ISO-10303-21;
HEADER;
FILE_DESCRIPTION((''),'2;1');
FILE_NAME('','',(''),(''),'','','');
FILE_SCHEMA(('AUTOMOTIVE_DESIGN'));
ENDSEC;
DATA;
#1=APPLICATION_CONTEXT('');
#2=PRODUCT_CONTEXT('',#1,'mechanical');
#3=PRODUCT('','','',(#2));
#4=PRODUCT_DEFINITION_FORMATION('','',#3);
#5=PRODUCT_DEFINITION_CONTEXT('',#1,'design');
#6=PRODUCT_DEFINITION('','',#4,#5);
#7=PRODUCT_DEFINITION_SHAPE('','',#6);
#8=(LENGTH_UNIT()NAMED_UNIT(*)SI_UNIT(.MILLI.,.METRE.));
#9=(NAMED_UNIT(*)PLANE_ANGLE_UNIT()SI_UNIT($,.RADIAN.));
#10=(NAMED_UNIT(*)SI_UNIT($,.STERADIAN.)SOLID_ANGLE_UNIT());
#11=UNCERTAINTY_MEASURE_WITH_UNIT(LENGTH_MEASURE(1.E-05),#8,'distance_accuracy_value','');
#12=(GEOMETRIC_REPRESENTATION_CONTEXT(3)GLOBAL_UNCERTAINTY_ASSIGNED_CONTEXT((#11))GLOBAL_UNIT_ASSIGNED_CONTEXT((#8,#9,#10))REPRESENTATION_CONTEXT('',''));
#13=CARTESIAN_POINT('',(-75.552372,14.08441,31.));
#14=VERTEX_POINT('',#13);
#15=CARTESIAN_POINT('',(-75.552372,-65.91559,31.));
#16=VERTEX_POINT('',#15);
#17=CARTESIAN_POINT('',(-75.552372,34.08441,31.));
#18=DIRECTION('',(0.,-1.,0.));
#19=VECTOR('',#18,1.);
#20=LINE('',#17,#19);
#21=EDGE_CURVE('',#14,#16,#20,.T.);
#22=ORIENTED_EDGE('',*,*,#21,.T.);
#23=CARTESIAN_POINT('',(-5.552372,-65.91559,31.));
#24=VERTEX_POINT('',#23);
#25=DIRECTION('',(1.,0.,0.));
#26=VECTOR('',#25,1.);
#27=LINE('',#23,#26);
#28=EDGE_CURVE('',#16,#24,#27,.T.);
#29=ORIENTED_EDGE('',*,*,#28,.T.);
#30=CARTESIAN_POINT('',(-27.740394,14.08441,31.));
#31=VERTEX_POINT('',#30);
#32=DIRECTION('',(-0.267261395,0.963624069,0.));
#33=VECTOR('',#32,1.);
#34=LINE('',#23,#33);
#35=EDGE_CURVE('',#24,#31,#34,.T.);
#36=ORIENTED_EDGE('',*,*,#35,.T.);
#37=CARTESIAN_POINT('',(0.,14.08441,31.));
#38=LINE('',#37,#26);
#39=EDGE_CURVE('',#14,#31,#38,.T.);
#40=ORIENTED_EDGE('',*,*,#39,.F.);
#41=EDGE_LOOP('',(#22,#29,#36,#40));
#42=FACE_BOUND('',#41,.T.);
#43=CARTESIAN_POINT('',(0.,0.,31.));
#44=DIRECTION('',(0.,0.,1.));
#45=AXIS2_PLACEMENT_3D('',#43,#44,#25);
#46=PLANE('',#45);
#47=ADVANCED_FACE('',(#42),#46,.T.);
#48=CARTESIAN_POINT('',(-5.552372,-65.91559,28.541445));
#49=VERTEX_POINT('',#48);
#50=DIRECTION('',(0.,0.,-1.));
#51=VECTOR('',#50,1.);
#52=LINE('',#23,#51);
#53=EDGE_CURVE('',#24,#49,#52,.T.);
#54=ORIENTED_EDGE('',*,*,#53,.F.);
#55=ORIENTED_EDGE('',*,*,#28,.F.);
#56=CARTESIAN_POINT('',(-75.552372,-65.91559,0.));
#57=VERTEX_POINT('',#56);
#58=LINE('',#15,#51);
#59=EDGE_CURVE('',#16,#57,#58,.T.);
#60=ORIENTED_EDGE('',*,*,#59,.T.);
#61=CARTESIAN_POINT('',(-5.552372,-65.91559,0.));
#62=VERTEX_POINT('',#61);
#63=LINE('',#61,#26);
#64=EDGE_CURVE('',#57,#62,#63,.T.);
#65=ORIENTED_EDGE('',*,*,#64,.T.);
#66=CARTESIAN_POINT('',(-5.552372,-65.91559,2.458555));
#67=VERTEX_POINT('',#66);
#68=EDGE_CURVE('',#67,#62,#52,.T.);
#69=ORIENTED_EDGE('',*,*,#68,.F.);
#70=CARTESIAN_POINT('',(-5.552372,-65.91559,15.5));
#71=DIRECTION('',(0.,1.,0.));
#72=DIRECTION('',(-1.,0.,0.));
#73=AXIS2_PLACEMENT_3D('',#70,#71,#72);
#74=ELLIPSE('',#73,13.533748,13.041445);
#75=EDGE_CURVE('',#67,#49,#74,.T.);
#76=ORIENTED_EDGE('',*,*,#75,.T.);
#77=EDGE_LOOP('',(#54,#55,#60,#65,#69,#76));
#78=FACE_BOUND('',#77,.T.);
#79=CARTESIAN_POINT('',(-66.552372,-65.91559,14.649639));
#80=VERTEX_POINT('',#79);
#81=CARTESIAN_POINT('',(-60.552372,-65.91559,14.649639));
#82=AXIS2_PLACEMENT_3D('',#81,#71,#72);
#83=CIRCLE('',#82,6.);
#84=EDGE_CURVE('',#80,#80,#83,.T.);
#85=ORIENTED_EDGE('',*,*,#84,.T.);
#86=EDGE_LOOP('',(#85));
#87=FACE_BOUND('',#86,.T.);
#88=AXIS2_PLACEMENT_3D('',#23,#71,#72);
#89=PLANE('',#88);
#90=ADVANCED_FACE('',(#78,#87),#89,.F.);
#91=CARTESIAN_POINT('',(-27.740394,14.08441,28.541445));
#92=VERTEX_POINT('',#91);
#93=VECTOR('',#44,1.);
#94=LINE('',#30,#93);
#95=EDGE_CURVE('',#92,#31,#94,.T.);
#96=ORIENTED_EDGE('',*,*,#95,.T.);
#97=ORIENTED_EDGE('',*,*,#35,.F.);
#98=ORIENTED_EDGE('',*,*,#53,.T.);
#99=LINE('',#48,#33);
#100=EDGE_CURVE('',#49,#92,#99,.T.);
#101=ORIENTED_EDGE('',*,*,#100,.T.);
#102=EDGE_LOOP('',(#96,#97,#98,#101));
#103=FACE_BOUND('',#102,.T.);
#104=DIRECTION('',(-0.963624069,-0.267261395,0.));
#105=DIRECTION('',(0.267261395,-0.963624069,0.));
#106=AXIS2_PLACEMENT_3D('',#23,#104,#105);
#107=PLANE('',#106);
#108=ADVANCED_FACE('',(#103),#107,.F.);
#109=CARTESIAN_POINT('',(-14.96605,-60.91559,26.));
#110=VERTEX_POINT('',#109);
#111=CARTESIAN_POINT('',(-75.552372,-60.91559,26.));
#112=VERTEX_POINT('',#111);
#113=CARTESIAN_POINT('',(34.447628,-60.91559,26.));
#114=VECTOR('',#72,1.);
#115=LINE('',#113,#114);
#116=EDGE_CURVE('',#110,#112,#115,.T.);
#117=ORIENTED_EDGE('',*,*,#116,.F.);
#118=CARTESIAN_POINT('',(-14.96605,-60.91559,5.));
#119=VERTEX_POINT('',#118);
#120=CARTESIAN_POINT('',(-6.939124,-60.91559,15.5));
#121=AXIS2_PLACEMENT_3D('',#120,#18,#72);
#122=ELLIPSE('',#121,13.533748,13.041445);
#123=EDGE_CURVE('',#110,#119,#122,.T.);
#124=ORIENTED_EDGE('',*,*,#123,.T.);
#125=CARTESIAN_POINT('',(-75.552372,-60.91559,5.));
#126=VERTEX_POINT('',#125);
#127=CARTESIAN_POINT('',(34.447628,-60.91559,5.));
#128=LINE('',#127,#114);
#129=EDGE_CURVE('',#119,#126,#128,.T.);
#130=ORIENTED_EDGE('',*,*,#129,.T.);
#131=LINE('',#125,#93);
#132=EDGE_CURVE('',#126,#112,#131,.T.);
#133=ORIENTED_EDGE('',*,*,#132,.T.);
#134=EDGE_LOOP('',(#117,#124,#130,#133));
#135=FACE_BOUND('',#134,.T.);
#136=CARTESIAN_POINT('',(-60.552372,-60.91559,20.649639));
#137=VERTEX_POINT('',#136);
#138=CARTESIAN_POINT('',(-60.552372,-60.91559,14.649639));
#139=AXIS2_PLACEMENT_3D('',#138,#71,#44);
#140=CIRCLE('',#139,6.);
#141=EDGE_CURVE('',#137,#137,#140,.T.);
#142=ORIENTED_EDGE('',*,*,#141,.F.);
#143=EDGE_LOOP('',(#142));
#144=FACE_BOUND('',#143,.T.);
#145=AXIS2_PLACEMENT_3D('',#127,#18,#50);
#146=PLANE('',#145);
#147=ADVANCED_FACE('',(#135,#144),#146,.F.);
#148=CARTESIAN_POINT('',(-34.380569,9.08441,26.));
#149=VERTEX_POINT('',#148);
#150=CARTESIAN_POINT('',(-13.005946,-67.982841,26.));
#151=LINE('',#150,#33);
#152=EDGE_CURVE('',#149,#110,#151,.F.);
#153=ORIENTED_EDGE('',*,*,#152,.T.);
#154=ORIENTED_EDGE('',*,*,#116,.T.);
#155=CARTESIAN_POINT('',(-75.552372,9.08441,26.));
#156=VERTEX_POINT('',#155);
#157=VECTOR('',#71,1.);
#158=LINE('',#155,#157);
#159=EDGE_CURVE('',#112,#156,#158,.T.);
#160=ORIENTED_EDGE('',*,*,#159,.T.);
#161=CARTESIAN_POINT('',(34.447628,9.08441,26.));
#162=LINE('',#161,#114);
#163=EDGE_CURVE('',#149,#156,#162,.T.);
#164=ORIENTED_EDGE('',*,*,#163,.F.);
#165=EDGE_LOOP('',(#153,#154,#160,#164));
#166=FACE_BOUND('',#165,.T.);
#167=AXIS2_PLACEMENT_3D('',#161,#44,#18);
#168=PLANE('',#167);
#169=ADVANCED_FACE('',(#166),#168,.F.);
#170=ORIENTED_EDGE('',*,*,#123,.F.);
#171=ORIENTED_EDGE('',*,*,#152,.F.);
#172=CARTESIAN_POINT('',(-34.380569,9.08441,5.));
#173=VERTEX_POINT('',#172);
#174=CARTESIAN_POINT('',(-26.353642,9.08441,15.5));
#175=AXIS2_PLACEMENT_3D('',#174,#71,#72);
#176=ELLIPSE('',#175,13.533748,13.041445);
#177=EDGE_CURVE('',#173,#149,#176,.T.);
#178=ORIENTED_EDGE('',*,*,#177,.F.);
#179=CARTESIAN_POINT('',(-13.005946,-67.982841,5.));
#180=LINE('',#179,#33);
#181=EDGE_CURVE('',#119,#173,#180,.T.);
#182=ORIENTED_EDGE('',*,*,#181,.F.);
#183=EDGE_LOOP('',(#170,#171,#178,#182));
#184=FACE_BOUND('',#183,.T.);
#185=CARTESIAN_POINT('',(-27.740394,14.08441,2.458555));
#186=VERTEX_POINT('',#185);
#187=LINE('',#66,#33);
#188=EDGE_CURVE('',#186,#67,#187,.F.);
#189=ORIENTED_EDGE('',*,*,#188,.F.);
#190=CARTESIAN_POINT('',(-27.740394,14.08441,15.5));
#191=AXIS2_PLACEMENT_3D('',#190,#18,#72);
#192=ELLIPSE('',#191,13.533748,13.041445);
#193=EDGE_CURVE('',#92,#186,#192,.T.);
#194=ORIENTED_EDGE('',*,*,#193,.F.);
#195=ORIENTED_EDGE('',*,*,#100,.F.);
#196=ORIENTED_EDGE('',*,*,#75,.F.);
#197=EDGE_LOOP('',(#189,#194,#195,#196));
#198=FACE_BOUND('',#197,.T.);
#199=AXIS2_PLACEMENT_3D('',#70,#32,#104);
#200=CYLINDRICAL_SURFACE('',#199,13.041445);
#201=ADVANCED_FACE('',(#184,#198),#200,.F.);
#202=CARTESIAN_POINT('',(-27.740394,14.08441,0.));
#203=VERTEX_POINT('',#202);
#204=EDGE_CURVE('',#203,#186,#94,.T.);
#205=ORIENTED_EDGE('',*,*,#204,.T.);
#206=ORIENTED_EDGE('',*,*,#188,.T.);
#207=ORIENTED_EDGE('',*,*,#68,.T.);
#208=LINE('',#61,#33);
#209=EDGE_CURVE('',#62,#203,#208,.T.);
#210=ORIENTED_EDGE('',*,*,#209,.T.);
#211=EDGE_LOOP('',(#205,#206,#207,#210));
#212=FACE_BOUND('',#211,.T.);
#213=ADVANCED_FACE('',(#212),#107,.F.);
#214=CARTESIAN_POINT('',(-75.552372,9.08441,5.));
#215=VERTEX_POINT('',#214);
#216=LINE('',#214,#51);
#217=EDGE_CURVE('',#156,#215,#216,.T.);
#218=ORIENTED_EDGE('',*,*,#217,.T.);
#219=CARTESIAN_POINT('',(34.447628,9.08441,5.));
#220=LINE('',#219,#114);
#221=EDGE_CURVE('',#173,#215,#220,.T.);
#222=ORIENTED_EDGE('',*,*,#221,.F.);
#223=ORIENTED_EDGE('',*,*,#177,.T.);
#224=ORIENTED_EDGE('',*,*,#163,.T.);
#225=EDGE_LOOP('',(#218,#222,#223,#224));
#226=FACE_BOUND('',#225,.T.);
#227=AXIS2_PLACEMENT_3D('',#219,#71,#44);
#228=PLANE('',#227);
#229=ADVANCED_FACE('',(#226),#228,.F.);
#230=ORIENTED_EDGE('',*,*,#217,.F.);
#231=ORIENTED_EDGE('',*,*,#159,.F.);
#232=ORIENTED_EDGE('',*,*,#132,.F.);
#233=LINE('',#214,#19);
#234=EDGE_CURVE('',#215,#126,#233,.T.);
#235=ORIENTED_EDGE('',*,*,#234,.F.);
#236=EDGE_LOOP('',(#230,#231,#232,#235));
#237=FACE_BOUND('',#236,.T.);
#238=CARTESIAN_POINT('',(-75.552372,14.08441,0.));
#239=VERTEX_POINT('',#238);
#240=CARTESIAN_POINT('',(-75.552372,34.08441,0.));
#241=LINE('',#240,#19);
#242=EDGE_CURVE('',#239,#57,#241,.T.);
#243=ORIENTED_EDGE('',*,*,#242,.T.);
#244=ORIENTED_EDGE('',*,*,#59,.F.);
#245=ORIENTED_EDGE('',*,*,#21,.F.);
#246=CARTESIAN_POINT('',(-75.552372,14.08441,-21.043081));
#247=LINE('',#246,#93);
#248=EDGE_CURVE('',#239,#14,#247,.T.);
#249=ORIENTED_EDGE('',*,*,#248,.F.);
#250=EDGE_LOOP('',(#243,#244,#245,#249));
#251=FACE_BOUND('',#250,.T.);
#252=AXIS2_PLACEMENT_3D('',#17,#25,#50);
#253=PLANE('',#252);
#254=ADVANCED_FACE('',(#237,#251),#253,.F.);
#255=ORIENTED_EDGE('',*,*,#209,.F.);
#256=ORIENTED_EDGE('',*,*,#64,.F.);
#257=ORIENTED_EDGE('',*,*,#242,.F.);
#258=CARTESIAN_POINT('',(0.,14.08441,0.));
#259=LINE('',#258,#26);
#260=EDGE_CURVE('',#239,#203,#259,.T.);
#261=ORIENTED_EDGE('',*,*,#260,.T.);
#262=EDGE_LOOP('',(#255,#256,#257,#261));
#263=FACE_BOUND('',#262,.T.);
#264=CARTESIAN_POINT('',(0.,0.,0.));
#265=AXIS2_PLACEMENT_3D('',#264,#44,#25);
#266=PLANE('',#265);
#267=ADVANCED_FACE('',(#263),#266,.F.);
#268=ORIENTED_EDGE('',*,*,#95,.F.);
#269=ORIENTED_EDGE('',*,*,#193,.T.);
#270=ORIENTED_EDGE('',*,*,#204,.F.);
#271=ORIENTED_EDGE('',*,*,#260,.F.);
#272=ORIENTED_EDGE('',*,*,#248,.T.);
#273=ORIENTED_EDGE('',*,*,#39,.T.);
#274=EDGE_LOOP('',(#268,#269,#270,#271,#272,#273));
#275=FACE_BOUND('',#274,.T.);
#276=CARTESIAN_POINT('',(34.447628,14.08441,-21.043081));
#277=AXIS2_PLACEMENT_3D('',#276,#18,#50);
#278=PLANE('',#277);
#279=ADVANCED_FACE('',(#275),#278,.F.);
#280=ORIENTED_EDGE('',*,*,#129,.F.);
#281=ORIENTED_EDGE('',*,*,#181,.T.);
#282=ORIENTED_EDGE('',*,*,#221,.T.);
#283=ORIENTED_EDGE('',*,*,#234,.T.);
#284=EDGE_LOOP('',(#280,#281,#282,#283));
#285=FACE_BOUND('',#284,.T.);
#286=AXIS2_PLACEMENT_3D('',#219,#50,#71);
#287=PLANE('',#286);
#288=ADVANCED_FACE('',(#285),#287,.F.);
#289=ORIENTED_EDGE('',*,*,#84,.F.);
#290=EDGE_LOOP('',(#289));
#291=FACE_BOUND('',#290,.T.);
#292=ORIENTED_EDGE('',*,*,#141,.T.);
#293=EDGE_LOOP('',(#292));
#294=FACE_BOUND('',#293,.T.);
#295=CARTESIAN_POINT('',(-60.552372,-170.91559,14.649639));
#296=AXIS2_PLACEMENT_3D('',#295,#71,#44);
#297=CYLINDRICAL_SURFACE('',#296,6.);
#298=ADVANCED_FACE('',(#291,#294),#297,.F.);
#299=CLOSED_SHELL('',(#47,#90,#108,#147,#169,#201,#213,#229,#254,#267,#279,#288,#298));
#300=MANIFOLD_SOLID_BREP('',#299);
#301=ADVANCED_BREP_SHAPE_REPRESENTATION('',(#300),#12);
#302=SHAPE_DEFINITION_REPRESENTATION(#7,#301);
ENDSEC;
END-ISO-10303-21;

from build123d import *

# Parameters (mm, degrees)
BOSS_EXTRUDE1_DEPTH     = 31
SKETCH5_W               = 21
SKETCH5_H               = 70
CUT_EXTRUDE3_DEPTH      = 110
SKETCH6_R               = 6
CUT_EXTRUDE4_DEPTH      = 110
SKETCH7_W               = 82.876057885
SKETCH7_H               = 21.558852062
CUT_EXTRUDE5_DEPTH      = 110
CUT_EXTRUDE6_DEPTH      = 116.208083877
CUT_EXTRUDE6_DEPTH_BACK = 116.208083877
SKETCH8_R               = 13.04144487


with BuildPart() as part:
    # Sketch1 → Boss-Extrude1 (new body)
    with BuildSketch(Plane.XY):
        Polygon((-75.552372261, 34.084409915), (-75.552372261, -65.915590085), (-5.552372261, -65.915590085), (-33.28739918, 34.084409915), align=None)
    extrude(amount=BOSS_EXTRUDE1_DEPTH)

    # Sketch5 → Cut-Extrude3 (cut)
    with BuildSketch(Plane.ZY.offset(75.552372261)):
        with Locations((15.5, -25.915590085)):
            Rectangle(SKETCH5_W, SKETCH5_H)
    extrude(amount=-CUT_EXTRUDE3_DEPTH, mode=Mode.SUBTRACT)

    # Sketch6 → Cut-Extrude4 (cut)
    with BuildSketch(Plane(origin=(0, -60.915590085, 0), x_dir=(1, 0, 0), z_dir=(0, 1, 0))):
        with Locations(Location((-60.552372261, -14.649638942, 0), (0, 0, 270))):
            Circle(SKETCH6_R)
    extrude(amount=-CUT_EXTRUDE4_DEPTH, mode=Mode.SUBTRACT)

    # Sketch7 → Cut-Extrude5 (cut)
    with BuildSketch(Plane.ZY.offset(75.552372261)):
        with Locations((20.394948081, 24.863835946)):
            Rectangle(SKETCH7_W, SKETCH7_H)
    extrude(amount=-CUT_EXTRUDE5_DEPTH, mode=Mode.SUBTRACT)

    # Sketch8 → Cut-Extrude6 (cut, two sides: drawn at the far end of the back side and taken through both)
    with BuildSketch(Plane(origin=(-5.60875104, 20.222626991, 0), x_dir=(0.9636240692030443, 0.2672613949910582, 0), z_dir=(-0.2672613949910583, 0.9636240692030444, 0)).offset(-CUT_EXTRUDE6_DEPTH_BACK)):
        with Locations((-22.96709211, -15.5)):
            Circle(SKETCH8_R)
    extrude(amount=CUT_EXTRUDE6_DEPTH + CUT_EXTRUDE6_DEPTH_BACK, mode=Mode.SUBTRACT)


solid = part.part
